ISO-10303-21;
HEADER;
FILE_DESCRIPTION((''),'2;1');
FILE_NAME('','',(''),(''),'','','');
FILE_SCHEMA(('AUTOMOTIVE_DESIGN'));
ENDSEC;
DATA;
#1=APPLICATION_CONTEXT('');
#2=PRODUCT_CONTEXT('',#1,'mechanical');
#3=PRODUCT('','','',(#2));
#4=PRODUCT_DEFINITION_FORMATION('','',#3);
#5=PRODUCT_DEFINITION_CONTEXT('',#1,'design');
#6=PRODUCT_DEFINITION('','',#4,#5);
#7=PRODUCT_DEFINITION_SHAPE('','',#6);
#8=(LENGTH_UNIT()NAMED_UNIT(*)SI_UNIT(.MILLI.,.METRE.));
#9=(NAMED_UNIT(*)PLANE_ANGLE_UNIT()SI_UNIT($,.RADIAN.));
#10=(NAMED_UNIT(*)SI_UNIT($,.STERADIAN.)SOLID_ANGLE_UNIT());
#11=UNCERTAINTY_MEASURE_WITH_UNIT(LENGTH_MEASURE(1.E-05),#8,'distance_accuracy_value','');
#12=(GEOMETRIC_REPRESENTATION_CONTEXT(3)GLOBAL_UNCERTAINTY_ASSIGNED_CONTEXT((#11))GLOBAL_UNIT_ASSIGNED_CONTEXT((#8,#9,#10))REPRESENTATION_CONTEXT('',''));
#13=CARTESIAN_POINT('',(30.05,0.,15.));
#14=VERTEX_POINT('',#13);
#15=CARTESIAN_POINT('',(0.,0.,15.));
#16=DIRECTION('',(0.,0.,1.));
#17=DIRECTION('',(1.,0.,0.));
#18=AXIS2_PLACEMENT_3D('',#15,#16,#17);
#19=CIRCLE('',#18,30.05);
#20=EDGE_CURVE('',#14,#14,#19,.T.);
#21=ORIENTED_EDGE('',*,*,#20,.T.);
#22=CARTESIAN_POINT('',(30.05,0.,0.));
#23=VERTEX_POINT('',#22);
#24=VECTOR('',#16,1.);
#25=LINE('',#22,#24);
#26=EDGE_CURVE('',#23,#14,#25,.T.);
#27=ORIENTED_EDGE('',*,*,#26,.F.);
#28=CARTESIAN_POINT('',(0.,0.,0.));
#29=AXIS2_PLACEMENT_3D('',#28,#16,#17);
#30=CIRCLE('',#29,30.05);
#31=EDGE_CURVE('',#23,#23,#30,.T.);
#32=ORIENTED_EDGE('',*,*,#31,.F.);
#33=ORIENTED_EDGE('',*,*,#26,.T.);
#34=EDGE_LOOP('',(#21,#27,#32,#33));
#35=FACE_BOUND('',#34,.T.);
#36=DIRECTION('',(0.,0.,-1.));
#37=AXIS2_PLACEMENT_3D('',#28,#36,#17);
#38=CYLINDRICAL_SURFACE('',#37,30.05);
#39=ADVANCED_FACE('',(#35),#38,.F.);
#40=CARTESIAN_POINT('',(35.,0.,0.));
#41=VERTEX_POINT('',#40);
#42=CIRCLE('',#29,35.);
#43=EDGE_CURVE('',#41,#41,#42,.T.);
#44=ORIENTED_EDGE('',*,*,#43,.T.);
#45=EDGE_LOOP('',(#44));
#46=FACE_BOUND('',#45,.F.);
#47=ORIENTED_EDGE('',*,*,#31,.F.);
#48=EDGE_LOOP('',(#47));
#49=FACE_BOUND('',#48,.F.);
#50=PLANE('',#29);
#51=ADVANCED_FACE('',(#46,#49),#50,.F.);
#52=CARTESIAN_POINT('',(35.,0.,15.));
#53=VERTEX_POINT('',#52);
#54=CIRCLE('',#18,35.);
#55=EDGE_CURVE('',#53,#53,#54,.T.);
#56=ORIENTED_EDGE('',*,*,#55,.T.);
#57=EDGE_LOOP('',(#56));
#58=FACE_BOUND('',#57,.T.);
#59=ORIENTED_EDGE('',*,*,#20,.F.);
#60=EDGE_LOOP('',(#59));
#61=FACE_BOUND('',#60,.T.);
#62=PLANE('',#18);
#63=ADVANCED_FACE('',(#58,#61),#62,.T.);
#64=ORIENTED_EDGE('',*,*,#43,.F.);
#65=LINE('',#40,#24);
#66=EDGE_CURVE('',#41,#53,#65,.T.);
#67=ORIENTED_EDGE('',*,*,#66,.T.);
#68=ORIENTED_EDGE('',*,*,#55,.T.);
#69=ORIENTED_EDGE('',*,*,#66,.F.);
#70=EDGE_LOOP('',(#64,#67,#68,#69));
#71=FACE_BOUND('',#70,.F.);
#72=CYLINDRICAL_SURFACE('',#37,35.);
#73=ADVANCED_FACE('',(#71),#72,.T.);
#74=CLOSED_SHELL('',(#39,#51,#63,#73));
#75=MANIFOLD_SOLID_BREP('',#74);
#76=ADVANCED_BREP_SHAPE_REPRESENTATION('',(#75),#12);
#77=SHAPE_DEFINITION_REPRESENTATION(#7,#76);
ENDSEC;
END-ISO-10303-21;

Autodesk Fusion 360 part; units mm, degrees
sketch "Sketch1" plane through (0, 0, 0) normal (0, 0, 1) x (1, 0, 0)
  circle A0 centre (0, 0) radius 30.05
  circle A1 centre (0, 0) radius 35
  dimension "d1" = 60.1
  dimension "d2" = 70
extrude "Extrude1" add sketch "Sketch1" along normal blind 15
